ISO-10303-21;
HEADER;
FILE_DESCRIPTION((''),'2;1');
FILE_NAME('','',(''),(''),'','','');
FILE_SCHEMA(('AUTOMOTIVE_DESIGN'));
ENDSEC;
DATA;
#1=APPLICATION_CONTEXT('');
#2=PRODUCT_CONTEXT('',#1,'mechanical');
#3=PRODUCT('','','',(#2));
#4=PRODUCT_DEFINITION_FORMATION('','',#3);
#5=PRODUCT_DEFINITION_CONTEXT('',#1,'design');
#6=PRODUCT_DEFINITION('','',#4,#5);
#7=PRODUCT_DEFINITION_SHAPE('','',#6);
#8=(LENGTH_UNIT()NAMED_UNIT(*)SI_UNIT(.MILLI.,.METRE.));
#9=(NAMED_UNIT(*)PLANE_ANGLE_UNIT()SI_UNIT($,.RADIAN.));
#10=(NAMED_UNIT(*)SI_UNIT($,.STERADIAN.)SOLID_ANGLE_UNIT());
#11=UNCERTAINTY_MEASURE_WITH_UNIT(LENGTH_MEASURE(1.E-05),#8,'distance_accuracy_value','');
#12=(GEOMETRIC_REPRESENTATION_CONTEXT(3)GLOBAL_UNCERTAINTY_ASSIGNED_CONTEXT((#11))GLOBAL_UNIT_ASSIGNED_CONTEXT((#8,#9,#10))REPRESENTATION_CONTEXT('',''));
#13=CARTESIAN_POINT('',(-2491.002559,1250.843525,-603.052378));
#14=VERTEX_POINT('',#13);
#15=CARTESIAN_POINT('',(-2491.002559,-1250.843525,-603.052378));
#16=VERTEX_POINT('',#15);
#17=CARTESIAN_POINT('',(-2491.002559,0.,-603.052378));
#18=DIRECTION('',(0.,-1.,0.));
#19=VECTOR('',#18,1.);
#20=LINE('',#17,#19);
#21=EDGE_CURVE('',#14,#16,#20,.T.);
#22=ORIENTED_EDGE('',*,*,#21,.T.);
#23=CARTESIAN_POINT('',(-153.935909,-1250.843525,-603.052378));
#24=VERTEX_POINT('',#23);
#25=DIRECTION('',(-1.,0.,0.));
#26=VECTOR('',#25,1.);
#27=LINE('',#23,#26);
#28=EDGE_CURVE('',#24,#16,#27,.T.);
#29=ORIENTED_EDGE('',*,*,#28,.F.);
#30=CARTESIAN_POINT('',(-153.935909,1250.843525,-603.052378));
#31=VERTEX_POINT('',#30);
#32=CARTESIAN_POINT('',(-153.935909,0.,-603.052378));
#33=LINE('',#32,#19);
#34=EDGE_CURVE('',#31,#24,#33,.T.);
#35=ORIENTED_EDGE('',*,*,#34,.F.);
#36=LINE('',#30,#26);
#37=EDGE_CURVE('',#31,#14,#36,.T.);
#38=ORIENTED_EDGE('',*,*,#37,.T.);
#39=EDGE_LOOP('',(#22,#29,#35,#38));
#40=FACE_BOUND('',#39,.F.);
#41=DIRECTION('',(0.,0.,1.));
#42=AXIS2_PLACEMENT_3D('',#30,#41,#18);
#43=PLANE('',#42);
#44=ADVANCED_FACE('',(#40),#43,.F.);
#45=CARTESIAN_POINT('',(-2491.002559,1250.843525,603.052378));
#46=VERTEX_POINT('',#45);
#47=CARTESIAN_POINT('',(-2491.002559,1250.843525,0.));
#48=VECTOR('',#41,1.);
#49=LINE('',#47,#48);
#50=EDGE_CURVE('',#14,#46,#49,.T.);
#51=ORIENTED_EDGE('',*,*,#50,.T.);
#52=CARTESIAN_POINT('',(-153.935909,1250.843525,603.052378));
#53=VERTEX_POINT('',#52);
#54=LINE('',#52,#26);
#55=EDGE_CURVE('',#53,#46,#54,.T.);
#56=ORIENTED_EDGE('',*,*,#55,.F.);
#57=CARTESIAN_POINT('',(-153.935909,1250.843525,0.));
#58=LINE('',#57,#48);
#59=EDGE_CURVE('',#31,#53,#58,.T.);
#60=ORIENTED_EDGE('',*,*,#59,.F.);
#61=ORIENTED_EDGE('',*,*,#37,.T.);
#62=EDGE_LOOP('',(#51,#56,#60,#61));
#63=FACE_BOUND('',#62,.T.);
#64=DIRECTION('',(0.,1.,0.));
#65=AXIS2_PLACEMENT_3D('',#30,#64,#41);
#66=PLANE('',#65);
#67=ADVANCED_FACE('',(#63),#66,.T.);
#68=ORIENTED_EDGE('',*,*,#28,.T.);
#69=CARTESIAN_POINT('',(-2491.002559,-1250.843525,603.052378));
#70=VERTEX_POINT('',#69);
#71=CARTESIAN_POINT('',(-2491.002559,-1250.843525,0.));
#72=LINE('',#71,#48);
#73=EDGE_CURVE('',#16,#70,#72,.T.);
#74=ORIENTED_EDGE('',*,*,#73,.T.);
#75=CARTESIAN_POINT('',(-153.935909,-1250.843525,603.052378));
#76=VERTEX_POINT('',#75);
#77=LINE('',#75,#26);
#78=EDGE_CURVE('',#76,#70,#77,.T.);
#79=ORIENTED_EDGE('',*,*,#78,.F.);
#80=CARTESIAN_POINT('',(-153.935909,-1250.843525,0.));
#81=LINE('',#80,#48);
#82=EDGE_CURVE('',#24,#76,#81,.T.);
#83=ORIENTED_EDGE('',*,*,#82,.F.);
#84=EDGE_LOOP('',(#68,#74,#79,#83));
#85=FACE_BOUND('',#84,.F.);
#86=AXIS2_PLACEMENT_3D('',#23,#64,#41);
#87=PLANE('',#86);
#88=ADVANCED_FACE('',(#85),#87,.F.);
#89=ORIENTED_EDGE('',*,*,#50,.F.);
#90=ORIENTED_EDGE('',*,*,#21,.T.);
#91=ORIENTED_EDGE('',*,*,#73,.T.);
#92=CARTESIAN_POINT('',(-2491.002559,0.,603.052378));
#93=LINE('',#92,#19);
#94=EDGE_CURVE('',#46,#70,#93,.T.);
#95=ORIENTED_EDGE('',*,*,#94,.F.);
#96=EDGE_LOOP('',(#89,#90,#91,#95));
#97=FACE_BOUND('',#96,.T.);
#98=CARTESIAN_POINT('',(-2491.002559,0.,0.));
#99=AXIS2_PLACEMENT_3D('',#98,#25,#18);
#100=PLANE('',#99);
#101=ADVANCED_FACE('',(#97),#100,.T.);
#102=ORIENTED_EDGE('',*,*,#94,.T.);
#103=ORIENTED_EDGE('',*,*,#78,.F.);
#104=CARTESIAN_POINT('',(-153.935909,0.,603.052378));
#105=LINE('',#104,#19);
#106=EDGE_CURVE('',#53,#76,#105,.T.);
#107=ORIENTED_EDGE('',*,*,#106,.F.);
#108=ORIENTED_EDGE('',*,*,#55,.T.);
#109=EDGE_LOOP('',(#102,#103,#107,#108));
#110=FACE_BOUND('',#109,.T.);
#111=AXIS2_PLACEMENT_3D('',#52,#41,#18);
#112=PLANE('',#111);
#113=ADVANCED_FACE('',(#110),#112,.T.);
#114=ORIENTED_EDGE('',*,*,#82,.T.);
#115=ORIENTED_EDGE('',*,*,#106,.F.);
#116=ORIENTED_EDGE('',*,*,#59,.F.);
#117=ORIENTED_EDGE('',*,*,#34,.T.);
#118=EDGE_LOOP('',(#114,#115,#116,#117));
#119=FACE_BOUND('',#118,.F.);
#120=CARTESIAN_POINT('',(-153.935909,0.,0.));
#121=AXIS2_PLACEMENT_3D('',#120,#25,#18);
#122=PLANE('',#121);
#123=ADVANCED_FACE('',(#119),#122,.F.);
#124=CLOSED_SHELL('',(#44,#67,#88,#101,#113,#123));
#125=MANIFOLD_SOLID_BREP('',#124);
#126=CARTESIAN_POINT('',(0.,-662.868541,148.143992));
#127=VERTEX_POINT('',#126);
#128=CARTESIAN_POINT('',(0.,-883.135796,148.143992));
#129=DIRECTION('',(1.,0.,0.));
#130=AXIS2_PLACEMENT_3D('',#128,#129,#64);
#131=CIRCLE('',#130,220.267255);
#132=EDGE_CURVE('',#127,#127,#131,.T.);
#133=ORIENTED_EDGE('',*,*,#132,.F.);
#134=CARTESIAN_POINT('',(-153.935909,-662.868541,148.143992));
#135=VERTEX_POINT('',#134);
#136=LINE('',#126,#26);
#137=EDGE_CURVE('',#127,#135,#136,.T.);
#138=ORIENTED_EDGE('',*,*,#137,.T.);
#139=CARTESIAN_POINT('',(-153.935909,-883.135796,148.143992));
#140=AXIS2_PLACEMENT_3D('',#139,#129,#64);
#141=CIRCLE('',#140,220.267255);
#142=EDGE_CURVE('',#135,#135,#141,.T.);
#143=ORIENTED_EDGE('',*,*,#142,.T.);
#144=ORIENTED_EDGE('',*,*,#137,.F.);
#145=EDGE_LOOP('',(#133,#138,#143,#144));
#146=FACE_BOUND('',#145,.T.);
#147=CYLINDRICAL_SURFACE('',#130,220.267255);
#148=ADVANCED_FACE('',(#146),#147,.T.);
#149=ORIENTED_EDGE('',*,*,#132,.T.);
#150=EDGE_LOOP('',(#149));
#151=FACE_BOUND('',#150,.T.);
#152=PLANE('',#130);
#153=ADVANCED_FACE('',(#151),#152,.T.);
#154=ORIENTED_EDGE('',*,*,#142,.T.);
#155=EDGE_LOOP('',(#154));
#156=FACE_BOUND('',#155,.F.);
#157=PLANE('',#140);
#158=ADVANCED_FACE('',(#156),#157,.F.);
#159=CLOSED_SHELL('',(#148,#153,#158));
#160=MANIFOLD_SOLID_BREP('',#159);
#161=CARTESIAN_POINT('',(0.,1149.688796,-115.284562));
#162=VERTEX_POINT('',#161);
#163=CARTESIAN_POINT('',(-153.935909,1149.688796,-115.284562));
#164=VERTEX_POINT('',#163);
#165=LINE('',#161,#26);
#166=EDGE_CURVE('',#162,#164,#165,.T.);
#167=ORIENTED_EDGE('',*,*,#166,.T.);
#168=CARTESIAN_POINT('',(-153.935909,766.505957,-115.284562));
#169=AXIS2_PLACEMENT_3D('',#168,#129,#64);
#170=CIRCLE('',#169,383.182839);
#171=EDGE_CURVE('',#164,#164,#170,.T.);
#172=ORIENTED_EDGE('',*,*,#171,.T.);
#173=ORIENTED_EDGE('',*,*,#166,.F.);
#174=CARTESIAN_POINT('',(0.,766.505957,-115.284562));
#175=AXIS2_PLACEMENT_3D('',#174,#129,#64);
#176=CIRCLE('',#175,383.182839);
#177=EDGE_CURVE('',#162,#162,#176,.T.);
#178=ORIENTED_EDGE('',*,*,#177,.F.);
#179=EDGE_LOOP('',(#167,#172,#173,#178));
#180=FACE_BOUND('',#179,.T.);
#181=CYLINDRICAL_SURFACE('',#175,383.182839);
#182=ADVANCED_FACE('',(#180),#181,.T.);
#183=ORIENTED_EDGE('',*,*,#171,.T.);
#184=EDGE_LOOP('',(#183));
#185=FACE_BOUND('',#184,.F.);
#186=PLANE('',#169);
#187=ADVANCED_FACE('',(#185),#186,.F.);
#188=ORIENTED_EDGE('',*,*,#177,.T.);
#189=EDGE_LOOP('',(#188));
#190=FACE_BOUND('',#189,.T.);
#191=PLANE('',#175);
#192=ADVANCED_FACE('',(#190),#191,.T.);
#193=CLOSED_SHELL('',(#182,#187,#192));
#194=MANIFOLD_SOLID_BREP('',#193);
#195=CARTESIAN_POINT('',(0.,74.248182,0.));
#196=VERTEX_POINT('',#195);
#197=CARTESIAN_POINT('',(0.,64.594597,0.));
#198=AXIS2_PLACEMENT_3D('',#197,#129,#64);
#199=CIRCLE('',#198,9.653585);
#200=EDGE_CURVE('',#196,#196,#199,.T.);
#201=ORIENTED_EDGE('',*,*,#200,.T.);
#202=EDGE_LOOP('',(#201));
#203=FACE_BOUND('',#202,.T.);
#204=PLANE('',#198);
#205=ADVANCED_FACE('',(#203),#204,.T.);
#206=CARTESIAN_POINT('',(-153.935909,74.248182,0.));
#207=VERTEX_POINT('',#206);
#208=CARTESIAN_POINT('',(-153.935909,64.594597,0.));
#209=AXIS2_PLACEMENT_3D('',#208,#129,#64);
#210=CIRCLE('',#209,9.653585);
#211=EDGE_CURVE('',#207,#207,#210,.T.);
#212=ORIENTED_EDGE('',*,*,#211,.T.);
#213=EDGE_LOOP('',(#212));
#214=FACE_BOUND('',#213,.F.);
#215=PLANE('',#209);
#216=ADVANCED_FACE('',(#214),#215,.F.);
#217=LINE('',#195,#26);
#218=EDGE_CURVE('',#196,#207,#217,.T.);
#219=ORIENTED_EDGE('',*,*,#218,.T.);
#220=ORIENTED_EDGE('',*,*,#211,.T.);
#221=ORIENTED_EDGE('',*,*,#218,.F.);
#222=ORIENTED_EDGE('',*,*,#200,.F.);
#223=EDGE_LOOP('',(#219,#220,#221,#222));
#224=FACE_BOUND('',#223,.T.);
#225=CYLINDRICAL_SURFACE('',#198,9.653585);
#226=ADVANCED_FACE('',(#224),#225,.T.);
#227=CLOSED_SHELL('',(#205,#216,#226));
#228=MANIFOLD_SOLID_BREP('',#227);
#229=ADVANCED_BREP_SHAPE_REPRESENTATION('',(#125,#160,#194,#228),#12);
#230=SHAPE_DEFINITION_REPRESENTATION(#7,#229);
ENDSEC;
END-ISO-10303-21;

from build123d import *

# Parameters (mm, degrees)
F0_R     = 9.653585
F0_R_2   = 383.182839
F0_R_3   = 220.267255
F1_DEPTH = 153.935909
F2_W     = 2501.68705
F2_H     = 1206.104756
F3_DEPTH = 2337.06665


with BuildPart() as f1:
    # F0 (on Right) → F1 (new body)
    with BuildSketch(Plane.YZ):
        with Locations((64.594597, 0)):
            Circle(F0_R)
        with Locations((766.505957, -115.284562)):
            Circle(F0_R_2)
        with Locations((-883.135796, 148.143992)):
            Circle(F0_R_3)
    extrude(amount=-F1_DEPTH)


with BuildPart() as f3:
    # F2 (on face) → F3 (new body)
    with BuildSketch(Plane(origin=(-153.935909, 0, 0), x_dir=(0, -1, 0), z_dir=(-1, 0, 0))):
        Rectangle(F2_W, F2_H)
    extrude(amount=F3_DEPTH)


solid = Compound([f1.part, f3.part])
